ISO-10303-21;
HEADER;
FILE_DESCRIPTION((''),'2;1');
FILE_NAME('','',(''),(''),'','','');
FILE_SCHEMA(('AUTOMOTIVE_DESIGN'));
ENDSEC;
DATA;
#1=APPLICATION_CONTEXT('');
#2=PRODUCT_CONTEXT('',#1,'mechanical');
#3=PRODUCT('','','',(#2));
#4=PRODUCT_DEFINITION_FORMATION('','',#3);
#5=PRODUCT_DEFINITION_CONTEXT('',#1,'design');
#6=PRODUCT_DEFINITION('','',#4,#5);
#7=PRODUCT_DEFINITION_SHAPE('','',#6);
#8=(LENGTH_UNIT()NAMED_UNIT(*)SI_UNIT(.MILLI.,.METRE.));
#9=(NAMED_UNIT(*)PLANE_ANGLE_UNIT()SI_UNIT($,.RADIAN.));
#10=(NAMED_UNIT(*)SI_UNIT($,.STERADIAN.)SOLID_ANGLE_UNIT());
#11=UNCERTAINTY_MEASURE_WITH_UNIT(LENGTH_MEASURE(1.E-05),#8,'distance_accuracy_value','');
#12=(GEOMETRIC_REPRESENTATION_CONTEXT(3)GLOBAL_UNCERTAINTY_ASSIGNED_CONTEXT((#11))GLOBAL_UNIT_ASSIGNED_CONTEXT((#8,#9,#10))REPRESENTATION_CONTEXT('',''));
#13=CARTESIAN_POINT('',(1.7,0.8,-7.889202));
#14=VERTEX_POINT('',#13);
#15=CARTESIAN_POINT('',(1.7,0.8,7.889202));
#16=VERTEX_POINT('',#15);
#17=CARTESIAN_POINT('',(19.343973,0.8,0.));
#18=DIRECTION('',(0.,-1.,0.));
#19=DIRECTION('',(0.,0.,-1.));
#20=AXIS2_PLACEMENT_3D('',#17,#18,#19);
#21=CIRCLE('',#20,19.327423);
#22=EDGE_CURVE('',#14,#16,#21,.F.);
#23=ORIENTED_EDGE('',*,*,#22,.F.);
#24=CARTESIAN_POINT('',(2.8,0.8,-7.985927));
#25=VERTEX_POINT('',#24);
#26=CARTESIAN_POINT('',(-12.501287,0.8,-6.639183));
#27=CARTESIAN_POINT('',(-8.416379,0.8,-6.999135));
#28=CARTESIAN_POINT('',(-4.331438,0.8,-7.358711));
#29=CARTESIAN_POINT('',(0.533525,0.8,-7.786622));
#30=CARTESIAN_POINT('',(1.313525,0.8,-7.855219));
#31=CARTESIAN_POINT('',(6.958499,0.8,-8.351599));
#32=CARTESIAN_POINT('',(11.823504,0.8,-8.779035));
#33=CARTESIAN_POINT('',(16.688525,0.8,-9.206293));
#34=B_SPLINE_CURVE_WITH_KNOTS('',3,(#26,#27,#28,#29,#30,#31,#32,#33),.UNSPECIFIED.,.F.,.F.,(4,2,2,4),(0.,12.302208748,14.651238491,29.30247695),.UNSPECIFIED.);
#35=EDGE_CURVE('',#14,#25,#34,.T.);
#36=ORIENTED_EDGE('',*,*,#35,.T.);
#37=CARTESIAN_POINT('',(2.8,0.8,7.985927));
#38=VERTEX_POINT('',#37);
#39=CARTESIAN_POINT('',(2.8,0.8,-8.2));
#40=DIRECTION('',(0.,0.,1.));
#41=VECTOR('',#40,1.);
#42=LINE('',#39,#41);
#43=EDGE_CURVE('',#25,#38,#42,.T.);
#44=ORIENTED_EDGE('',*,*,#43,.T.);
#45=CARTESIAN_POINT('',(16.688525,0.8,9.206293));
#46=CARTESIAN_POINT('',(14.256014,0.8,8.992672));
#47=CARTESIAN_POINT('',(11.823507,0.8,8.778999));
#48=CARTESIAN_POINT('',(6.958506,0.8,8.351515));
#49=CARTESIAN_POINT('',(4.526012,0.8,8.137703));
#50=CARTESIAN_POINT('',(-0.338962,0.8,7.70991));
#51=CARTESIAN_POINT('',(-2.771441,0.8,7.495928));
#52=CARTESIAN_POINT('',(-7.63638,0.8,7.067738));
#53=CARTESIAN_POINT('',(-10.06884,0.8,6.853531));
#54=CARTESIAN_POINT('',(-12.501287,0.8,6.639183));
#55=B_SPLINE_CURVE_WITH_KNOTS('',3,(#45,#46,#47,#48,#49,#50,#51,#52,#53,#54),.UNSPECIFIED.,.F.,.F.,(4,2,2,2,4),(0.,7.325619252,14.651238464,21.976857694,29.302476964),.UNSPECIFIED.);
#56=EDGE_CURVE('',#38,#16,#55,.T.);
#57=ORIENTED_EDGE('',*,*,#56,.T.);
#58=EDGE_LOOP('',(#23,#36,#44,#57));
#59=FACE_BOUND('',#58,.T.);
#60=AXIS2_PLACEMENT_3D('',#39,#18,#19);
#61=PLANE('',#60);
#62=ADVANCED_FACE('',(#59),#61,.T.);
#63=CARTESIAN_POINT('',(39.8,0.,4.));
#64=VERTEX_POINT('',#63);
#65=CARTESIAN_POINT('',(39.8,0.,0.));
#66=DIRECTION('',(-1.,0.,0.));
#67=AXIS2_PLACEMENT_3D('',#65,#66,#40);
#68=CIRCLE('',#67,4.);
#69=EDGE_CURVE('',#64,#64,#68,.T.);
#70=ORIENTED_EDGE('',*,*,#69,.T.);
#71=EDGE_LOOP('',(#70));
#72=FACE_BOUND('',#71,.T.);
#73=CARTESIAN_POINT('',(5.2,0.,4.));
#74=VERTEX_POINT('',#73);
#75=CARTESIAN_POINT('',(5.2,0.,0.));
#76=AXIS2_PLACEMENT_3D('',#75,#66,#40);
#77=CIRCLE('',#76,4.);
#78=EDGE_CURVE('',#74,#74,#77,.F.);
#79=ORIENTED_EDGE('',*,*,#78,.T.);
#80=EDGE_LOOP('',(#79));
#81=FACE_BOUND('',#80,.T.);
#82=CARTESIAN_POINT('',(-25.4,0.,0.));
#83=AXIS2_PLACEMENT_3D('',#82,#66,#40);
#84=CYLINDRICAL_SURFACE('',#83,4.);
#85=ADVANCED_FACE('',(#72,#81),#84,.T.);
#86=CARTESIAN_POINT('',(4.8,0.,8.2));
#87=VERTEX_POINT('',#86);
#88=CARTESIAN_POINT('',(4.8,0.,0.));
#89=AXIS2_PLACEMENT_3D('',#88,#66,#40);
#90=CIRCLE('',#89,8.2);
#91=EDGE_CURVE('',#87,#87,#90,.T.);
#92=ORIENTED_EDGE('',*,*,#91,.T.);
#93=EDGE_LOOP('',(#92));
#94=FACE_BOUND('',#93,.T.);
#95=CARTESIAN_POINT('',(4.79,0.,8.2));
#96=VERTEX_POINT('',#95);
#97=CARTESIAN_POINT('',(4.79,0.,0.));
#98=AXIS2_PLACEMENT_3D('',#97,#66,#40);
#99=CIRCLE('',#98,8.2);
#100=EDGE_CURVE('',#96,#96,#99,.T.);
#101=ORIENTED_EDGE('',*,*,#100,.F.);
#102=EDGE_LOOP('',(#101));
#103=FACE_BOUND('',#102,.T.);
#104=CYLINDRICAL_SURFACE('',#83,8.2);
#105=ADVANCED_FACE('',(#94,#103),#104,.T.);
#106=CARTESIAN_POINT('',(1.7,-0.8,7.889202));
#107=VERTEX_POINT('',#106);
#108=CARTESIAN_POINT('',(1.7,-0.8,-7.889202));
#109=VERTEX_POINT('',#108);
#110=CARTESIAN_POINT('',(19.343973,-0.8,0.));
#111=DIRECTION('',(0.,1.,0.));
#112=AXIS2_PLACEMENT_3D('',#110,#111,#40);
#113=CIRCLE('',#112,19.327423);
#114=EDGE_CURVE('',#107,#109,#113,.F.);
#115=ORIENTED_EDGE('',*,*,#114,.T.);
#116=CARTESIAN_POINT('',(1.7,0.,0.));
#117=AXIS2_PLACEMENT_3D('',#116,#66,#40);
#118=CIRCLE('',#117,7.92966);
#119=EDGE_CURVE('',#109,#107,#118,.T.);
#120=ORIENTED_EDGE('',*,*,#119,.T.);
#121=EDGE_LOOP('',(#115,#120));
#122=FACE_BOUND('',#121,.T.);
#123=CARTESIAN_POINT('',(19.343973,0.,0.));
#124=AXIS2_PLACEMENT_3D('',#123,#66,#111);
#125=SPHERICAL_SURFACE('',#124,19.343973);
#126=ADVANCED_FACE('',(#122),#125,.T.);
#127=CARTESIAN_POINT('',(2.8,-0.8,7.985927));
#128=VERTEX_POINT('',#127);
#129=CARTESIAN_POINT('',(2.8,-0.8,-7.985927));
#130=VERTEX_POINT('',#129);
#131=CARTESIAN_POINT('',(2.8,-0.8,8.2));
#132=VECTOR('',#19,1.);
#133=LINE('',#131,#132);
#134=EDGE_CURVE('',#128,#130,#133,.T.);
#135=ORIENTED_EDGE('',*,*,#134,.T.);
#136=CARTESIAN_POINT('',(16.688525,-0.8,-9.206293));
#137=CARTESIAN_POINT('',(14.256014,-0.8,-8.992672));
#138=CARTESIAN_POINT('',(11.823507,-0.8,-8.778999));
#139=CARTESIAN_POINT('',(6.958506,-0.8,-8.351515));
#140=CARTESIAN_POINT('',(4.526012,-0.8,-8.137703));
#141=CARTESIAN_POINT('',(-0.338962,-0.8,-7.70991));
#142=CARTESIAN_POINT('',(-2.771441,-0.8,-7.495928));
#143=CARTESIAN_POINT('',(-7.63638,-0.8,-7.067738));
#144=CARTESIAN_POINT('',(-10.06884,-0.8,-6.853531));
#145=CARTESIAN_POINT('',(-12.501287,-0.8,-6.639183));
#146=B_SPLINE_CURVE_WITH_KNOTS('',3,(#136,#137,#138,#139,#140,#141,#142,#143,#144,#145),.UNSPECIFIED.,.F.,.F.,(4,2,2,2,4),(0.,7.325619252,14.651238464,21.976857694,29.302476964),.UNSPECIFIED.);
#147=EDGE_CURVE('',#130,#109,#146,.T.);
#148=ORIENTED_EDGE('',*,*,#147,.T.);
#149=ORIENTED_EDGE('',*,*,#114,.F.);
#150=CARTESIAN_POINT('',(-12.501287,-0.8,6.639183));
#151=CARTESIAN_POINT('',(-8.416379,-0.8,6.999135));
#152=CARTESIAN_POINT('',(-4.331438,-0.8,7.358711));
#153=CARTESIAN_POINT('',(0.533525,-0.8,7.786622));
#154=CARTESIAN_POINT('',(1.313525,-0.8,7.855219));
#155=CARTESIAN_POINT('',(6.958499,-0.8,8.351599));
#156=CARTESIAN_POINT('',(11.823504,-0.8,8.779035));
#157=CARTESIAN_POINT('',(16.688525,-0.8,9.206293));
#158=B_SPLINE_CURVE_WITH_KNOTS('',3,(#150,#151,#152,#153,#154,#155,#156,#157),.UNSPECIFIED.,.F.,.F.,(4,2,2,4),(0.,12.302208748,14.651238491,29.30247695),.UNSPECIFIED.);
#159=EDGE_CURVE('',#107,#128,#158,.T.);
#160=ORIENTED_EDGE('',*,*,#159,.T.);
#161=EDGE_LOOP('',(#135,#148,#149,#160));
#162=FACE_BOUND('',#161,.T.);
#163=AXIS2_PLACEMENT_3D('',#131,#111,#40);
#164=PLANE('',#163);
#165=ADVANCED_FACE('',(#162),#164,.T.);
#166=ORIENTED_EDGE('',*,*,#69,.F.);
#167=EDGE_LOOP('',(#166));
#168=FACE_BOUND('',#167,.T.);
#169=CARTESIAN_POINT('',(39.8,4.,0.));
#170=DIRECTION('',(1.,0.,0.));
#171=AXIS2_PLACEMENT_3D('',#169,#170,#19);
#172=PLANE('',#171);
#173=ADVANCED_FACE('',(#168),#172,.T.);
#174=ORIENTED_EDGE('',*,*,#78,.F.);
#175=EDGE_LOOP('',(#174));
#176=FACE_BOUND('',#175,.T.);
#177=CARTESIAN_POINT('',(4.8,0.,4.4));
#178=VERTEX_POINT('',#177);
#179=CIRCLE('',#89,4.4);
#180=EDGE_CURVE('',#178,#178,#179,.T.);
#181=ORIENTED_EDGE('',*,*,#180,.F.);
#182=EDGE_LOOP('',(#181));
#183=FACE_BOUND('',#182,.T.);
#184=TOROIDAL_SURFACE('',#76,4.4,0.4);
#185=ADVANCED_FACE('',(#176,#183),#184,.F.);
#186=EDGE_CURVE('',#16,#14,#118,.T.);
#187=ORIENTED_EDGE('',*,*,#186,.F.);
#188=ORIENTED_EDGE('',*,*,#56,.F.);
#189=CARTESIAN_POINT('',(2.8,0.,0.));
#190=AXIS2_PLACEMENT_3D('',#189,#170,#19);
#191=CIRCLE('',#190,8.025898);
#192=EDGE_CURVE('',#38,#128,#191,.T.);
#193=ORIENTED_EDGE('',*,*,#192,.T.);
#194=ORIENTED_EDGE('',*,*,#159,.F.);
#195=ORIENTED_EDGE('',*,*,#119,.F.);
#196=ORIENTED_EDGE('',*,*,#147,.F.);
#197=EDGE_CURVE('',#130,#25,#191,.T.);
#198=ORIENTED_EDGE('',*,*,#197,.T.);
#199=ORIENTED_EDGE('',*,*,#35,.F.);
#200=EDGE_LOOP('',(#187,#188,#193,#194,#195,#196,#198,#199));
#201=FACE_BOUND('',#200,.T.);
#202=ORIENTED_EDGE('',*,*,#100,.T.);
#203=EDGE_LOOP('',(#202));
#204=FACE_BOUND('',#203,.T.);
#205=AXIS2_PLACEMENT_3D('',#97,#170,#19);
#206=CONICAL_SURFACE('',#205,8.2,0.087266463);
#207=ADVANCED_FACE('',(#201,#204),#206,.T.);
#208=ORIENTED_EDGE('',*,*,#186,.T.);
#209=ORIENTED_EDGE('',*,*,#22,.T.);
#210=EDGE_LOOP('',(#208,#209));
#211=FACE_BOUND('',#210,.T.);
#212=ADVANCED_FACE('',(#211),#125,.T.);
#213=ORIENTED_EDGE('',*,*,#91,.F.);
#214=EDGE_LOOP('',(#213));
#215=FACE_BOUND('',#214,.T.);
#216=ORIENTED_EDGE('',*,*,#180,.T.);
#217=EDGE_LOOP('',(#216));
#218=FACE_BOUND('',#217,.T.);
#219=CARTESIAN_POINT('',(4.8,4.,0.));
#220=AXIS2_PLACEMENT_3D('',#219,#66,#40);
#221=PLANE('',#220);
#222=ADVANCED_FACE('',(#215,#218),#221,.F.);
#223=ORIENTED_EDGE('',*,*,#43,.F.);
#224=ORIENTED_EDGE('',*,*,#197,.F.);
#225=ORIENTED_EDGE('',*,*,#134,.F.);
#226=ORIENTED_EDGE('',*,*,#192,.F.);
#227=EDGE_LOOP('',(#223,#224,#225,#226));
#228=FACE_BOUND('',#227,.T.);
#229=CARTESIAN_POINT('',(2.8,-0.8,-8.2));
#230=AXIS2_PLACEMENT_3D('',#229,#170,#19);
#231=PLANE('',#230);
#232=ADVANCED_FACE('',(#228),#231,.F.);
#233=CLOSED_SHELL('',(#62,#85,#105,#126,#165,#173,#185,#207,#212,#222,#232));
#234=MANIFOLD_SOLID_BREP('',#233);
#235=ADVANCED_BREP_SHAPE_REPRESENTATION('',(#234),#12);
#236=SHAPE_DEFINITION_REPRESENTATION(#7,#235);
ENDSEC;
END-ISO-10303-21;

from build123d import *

# Parameters (mm, degrees)
FILLET1_R  = 0.4
SKETCH2_W  = 16.4
SKETCH2_H  = 1.6
SLOT_DEPTH = 2.8


with BuildPart() as part:
    # BodySke → Base-Revolve (revolve)
    with BuildSketch(Plane.XY, mode=Mode.PRIVATE) as base_revolve_sk:
        with BuildLine():
            Line((4.8, 4), (4.8, 8.2))
            Line((4.8, 8.2), (4.79, 8.2))
            Line((4.79, 8.2), (1.7, 7.92966003))
            ThreePointArc((1.7, 7.92966003), (0.429774249, 4.054920104), (0, 0))
            Line((0, 0), (39.8, 0))
            Line((39.8, 0), (39.8, 4))
            Line((39.8, 4), (4.8, 4))
        make_face()
    revolve(base_revolve_sk.sketch.rotate(Axis((-25.4, 0, 0), (1, 0, 0)), 90), axis=Axis((-25.4, 0, 0), (1, 0, 0)))

    # Fillet1
    fillet1_edges = [part.edges().sort_by_distance(p)[0] for p in [
        (4.8, 0, -4),
    ]]
    fillet(fillet1_edges, radius=FILLET1_R)

    # Sketch2 → Slot (cut)
    with BuildSketch(Plane(origin=(0, 0, 0), x_dir=(0, 0, -1), z_dir=(1, 0, 0))):
        Rectangle(SKETCH2_W, SKETCH2_H)
    extrude(amount=SLOT_DEPTH, mode=Mode.SUBTRACT)


solid = part.part
